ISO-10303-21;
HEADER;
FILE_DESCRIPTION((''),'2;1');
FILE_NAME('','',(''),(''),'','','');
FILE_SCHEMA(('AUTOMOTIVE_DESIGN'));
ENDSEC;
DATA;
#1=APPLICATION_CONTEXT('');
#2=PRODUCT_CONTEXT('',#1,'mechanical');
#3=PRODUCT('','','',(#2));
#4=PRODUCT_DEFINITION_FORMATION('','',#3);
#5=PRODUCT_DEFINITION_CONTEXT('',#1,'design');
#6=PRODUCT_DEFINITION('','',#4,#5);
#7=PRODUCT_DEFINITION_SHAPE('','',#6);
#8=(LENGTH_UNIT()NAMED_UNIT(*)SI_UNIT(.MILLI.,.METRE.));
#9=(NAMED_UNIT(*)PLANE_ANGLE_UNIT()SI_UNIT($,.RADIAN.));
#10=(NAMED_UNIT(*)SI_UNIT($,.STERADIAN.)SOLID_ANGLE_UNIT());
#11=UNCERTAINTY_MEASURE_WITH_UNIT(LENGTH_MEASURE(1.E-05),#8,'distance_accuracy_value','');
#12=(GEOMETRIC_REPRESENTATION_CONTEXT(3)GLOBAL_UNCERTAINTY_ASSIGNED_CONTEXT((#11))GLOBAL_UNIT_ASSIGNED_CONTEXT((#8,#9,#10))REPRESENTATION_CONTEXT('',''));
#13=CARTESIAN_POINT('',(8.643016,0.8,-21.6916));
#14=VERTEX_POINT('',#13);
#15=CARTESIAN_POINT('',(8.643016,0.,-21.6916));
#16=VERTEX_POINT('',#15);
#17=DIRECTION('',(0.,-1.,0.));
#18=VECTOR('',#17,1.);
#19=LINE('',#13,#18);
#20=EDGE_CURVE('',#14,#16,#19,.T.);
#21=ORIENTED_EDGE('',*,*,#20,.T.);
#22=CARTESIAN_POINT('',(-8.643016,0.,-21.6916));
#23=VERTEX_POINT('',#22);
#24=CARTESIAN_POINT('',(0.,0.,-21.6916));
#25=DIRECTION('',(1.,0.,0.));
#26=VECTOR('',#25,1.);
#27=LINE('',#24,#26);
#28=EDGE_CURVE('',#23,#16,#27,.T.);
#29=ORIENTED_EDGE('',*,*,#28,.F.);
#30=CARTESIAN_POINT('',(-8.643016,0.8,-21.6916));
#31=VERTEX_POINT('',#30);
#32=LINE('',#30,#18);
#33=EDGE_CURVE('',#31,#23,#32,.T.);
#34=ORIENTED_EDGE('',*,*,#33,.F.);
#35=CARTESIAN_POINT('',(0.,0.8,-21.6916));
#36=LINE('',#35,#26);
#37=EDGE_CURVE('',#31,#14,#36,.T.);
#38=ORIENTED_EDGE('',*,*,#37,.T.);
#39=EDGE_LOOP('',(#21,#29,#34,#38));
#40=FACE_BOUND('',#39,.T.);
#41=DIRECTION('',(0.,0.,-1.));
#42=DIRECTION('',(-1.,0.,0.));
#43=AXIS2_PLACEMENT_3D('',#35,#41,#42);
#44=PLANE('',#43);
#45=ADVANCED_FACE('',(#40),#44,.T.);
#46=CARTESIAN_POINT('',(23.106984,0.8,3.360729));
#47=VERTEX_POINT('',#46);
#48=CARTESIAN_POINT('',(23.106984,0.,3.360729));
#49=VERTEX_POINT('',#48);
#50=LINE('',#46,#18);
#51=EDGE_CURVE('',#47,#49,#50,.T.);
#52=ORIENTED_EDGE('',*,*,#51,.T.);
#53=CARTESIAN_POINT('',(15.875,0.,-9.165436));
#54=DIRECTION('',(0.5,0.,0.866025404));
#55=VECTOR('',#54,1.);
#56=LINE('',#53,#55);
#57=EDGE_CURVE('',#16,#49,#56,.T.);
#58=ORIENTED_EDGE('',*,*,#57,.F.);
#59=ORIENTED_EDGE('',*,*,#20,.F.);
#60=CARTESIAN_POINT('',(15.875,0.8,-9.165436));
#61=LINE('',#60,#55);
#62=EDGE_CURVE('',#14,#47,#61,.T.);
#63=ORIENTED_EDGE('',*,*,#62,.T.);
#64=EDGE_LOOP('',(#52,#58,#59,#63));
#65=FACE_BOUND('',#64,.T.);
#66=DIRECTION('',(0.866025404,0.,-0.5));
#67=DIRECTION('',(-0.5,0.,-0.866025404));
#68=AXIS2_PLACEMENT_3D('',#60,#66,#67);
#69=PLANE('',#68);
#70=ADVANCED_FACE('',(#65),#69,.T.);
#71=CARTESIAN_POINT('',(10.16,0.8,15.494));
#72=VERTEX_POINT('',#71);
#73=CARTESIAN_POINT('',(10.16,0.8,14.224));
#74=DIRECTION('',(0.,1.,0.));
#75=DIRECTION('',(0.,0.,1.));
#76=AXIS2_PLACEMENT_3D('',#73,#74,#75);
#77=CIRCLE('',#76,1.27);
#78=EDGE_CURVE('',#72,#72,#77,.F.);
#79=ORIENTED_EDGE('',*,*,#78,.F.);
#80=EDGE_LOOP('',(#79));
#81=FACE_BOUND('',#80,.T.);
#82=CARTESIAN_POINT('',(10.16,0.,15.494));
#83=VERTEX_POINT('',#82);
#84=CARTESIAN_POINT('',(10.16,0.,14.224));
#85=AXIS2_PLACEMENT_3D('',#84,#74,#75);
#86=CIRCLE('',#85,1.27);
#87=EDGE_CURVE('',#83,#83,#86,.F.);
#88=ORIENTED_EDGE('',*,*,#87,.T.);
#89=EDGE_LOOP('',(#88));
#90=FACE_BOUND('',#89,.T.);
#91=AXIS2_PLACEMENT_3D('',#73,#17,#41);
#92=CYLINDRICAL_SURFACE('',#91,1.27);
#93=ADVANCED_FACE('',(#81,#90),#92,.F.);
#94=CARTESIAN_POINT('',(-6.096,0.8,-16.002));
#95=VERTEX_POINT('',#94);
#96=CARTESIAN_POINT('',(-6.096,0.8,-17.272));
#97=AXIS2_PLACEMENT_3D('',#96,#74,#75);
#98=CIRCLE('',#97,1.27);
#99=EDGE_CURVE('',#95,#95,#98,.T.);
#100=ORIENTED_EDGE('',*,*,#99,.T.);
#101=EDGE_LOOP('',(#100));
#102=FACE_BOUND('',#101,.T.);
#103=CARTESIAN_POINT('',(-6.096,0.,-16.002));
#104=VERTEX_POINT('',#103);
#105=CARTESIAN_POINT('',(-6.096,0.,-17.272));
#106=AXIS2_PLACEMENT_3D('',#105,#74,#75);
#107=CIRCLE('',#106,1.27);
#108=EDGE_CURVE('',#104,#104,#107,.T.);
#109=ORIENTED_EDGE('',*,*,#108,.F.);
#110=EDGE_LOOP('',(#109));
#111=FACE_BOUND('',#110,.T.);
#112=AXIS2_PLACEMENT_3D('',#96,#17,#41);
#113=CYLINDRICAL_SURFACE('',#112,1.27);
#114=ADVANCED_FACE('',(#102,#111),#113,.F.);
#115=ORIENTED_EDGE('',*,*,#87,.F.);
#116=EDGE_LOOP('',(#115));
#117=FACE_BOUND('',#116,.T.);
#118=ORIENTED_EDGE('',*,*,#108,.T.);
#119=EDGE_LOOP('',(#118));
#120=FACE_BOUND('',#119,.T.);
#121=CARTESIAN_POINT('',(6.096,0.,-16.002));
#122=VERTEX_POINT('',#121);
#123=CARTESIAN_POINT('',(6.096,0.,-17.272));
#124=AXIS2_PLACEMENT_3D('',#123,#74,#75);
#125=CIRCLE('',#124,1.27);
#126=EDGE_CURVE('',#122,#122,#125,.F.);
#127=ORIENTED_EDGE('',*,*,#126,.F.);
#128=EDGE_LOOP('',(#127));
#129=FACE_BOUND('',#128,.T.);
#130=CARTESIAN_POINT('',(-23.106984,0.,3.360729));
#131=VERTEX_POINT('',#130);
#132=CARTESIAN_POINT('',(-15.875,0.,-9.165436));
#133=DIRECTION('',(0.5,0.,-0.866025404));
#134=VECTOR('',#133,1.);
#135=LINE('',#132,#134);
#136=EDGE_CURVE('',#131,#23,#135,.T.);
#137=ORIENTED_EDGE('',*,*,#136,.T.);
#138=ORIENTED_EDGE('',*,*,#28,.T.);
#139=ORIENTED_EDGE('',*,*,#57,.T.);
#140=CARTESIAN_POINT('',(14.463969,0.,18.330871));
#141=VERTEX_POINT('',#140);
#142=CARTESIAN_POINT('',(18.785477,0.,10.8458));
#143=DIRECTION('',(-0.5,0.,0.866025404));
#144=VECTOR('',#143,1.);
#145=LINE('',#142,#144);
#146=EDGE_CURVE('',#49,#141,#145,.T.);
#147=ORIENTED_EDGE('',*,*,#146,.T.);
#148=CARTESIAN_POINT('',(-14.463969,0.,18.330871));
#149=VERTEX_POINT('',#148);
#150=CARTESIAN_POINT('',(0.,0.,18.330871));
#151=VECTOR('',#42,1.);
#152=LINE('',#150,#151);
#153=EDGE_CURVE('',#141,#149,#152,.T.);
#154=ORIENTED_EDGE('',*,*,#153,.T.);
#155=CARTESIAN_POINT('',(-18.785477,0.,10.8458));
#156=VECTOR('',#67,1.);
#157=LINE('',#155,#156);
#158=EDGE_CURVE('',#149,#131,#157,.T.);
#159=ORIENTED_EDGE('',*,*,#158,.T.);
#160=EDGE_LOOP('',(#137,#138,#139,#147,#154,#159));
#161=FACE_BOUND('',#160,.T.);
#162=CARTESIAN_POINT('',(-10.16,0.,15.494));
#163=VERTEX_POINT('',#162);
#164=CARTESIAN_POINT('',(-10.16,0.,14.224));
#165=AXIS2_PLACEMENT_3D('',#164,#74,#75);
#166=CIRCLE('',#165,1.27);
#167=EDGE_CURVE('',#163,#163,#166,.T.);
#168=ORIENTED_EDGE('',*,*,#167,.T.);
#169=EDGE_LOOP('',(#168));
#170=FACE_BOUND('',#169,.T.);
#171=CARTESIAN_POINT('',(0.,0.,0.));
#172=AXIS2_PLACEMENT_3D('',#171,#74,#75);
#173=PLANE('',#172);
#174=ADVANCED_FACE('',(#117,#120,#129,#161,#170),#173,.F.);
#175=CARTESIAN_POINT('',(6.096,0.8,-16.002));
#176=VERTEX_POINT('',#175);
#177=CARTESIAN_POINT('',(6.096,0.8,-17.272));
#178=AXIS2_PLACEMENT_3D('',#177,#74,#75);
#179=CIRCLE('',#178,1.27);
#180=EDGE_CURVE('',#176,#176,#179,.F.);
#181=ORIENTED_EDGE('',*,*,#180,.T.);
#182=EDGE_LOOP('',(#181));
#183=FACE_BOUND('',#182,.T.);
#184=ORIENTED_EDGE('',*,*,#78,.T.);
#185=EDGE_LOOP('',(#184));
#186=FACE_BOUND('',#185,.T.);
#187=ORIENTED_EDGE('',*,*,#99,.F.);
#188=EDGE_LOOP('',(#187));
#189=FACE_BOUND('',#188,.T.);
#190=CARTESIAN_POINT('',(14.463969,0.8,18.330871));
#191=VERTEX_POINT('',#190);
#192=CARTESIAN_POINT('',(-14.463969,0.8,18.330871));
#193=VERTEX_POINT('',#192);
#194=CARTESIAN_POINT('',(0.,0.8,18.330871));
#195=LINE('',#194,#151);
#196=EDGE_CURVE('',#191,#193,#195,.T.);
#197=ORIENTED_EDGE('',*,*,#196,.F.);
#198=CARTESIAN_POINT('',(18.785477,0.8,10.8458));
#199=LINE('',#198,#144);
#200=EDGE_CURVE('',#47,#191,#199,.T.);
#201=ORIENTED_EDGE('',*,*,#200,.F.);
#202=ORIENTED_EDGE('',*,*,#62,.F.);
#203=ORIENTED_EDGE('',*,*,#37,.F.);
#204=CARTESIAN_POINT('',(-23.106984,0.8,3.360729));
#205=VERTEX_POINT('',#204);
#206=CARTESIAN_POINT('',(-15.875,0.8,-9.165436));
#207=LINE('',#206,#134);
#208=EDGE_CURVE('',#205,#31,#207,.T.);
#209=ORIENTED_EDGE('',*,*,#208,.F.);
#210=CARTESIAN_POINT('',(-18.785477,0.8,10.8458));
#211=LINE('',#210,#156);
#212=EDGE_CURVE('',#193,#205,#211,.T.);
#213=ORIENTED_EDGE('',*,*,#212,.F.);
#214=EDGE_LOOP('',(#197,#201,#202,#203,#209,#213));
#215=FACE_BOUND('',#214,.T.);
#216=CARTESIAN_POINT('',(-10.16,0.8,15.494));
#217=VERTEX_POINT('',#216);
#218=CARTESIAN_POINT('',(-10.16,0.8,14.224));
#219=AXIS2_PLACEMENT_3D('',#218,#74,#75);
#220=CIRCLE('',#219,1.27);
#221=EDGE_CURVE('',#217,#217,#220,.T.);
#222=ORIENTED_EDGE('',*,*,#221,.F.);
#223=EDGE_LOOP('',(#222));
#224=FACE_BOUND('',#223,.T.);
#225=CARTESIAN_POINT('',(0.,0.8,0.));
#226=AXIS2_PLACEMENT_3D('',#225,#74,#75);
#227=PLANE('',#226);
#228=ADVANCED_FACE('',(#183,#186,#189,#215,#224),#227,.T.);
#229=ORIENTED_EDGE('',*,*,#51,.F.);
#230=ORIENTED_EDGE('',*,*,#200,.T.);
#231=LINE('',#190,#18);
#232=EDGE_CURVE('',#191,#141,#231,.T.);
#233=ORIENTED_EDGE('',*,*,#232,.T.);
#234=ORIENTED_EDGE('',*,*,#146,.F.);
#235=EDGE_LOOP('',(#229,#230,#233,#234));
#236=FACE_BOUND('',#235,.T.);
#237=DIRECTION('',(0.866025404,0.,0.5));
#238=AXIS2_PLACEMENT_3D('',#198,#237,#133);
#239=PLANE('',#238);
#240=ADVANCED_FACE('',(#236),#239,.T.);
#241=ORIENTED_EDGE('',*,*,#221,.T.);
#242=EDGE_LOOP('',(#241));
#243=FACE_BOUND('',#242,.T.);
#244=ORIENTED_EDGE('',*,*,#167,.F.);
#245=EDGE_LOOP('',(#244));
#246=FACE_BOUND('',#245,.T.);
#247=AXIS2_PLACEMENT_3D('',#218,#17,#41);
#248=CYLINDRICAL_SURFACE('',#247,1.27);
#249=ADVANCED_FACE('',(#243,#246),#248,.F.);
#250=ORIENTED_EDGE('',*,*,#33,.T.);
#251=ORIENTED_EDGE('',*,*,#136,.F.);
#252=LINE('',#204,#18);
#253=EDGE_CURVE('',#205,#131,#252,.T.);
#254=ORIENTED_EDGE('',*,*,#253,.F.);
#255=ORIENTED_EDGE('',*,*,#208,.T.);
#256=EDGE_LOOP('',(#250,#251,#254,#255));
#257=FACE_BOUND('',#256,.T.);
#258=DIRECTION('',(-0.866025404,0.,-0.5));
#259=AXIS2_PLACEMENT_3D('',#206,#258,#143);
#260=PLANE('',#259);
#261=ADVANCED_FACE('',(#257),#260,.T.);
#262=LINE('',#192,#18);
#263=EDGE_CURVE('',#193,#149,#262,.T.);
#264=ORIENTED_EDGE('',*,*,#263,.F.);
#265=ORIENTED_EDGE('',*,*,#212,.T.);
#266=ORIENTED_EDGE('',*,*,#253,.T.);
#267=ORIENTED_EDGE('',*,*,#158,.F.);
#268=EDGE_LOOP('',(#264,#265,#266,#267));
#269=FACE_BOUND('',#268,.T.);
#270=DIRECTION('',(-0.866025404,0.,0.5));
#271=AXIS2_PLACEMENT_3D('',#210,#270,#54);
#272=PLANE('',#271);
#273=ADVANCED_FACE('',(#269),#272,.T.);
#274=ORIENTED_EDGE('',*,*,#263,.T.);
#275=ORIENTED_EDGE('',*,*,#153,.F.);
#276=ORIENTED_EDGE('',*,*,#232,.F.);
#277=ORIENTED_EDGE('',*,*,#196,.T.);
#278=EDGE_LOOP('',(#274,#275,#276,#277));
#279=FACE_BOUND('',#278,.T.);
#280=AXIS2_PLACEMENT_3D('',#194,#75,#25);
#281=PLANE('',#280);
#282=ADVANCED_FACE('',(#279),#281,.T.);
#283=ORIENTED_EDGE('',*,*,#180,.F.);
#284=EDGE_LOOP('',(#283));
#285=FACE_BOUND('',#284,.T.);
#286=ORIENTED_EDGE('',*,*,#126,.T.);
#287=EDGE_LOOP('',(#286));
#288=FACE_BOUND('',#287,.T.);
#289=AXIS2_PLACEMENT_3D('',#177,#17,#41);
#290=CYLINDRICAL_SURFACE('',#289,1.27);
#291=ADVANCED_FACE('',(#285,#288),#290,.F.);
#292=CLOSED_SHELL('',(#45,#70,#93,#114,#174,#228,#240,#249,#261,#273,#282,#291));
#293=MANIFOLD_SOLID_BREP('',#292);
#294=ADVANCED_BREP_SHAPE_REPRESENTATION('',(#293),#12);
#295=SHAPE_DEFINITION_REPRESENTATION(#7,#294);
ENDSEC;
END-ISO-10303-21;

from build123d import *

# Parameters (mm, degrees)
SKETCH1_R           = 1.27
BOSS_EXTRUDE1_DEPTH = 0.8


with BuildPart() as part:
    # Sketch1 → Boss-Extrude1 (new body)
    with BuildSketch(Plane(origin=(0, 0, 0), x_dir=(1, 0, 0), z_dir=(0, 1, 0))):
        Polygon((-23.106984432, -3.360728953), (-8.643015568, 21.6916), (8.643015568, 21.6916), (23.106984432, -3.360728953), (14.463968865, -18.330871047), (-14.463968865, -18.330871047), align=None)
        with Locations((-6.096, 17.272)):
            Circle(SKETCH1_R, mode=Mode.SUBTRACT)
        with Locations((-10.16, -14.224)):
            Circle(SKETCH1_R, mode=Mode.SUBTRACT)
        with Locations((10.16, -14.224)):
            Circle(SKETCH1_R, mode=Mode.SUBTRACT)
        with Locations((6.096, 17.272)):
            Circle(SKETCH1_R, mode=Mode.SUBTRACT)
    extrude(amount=BOSS_EXTRUDE1_DEPTH)


solid = part.part
